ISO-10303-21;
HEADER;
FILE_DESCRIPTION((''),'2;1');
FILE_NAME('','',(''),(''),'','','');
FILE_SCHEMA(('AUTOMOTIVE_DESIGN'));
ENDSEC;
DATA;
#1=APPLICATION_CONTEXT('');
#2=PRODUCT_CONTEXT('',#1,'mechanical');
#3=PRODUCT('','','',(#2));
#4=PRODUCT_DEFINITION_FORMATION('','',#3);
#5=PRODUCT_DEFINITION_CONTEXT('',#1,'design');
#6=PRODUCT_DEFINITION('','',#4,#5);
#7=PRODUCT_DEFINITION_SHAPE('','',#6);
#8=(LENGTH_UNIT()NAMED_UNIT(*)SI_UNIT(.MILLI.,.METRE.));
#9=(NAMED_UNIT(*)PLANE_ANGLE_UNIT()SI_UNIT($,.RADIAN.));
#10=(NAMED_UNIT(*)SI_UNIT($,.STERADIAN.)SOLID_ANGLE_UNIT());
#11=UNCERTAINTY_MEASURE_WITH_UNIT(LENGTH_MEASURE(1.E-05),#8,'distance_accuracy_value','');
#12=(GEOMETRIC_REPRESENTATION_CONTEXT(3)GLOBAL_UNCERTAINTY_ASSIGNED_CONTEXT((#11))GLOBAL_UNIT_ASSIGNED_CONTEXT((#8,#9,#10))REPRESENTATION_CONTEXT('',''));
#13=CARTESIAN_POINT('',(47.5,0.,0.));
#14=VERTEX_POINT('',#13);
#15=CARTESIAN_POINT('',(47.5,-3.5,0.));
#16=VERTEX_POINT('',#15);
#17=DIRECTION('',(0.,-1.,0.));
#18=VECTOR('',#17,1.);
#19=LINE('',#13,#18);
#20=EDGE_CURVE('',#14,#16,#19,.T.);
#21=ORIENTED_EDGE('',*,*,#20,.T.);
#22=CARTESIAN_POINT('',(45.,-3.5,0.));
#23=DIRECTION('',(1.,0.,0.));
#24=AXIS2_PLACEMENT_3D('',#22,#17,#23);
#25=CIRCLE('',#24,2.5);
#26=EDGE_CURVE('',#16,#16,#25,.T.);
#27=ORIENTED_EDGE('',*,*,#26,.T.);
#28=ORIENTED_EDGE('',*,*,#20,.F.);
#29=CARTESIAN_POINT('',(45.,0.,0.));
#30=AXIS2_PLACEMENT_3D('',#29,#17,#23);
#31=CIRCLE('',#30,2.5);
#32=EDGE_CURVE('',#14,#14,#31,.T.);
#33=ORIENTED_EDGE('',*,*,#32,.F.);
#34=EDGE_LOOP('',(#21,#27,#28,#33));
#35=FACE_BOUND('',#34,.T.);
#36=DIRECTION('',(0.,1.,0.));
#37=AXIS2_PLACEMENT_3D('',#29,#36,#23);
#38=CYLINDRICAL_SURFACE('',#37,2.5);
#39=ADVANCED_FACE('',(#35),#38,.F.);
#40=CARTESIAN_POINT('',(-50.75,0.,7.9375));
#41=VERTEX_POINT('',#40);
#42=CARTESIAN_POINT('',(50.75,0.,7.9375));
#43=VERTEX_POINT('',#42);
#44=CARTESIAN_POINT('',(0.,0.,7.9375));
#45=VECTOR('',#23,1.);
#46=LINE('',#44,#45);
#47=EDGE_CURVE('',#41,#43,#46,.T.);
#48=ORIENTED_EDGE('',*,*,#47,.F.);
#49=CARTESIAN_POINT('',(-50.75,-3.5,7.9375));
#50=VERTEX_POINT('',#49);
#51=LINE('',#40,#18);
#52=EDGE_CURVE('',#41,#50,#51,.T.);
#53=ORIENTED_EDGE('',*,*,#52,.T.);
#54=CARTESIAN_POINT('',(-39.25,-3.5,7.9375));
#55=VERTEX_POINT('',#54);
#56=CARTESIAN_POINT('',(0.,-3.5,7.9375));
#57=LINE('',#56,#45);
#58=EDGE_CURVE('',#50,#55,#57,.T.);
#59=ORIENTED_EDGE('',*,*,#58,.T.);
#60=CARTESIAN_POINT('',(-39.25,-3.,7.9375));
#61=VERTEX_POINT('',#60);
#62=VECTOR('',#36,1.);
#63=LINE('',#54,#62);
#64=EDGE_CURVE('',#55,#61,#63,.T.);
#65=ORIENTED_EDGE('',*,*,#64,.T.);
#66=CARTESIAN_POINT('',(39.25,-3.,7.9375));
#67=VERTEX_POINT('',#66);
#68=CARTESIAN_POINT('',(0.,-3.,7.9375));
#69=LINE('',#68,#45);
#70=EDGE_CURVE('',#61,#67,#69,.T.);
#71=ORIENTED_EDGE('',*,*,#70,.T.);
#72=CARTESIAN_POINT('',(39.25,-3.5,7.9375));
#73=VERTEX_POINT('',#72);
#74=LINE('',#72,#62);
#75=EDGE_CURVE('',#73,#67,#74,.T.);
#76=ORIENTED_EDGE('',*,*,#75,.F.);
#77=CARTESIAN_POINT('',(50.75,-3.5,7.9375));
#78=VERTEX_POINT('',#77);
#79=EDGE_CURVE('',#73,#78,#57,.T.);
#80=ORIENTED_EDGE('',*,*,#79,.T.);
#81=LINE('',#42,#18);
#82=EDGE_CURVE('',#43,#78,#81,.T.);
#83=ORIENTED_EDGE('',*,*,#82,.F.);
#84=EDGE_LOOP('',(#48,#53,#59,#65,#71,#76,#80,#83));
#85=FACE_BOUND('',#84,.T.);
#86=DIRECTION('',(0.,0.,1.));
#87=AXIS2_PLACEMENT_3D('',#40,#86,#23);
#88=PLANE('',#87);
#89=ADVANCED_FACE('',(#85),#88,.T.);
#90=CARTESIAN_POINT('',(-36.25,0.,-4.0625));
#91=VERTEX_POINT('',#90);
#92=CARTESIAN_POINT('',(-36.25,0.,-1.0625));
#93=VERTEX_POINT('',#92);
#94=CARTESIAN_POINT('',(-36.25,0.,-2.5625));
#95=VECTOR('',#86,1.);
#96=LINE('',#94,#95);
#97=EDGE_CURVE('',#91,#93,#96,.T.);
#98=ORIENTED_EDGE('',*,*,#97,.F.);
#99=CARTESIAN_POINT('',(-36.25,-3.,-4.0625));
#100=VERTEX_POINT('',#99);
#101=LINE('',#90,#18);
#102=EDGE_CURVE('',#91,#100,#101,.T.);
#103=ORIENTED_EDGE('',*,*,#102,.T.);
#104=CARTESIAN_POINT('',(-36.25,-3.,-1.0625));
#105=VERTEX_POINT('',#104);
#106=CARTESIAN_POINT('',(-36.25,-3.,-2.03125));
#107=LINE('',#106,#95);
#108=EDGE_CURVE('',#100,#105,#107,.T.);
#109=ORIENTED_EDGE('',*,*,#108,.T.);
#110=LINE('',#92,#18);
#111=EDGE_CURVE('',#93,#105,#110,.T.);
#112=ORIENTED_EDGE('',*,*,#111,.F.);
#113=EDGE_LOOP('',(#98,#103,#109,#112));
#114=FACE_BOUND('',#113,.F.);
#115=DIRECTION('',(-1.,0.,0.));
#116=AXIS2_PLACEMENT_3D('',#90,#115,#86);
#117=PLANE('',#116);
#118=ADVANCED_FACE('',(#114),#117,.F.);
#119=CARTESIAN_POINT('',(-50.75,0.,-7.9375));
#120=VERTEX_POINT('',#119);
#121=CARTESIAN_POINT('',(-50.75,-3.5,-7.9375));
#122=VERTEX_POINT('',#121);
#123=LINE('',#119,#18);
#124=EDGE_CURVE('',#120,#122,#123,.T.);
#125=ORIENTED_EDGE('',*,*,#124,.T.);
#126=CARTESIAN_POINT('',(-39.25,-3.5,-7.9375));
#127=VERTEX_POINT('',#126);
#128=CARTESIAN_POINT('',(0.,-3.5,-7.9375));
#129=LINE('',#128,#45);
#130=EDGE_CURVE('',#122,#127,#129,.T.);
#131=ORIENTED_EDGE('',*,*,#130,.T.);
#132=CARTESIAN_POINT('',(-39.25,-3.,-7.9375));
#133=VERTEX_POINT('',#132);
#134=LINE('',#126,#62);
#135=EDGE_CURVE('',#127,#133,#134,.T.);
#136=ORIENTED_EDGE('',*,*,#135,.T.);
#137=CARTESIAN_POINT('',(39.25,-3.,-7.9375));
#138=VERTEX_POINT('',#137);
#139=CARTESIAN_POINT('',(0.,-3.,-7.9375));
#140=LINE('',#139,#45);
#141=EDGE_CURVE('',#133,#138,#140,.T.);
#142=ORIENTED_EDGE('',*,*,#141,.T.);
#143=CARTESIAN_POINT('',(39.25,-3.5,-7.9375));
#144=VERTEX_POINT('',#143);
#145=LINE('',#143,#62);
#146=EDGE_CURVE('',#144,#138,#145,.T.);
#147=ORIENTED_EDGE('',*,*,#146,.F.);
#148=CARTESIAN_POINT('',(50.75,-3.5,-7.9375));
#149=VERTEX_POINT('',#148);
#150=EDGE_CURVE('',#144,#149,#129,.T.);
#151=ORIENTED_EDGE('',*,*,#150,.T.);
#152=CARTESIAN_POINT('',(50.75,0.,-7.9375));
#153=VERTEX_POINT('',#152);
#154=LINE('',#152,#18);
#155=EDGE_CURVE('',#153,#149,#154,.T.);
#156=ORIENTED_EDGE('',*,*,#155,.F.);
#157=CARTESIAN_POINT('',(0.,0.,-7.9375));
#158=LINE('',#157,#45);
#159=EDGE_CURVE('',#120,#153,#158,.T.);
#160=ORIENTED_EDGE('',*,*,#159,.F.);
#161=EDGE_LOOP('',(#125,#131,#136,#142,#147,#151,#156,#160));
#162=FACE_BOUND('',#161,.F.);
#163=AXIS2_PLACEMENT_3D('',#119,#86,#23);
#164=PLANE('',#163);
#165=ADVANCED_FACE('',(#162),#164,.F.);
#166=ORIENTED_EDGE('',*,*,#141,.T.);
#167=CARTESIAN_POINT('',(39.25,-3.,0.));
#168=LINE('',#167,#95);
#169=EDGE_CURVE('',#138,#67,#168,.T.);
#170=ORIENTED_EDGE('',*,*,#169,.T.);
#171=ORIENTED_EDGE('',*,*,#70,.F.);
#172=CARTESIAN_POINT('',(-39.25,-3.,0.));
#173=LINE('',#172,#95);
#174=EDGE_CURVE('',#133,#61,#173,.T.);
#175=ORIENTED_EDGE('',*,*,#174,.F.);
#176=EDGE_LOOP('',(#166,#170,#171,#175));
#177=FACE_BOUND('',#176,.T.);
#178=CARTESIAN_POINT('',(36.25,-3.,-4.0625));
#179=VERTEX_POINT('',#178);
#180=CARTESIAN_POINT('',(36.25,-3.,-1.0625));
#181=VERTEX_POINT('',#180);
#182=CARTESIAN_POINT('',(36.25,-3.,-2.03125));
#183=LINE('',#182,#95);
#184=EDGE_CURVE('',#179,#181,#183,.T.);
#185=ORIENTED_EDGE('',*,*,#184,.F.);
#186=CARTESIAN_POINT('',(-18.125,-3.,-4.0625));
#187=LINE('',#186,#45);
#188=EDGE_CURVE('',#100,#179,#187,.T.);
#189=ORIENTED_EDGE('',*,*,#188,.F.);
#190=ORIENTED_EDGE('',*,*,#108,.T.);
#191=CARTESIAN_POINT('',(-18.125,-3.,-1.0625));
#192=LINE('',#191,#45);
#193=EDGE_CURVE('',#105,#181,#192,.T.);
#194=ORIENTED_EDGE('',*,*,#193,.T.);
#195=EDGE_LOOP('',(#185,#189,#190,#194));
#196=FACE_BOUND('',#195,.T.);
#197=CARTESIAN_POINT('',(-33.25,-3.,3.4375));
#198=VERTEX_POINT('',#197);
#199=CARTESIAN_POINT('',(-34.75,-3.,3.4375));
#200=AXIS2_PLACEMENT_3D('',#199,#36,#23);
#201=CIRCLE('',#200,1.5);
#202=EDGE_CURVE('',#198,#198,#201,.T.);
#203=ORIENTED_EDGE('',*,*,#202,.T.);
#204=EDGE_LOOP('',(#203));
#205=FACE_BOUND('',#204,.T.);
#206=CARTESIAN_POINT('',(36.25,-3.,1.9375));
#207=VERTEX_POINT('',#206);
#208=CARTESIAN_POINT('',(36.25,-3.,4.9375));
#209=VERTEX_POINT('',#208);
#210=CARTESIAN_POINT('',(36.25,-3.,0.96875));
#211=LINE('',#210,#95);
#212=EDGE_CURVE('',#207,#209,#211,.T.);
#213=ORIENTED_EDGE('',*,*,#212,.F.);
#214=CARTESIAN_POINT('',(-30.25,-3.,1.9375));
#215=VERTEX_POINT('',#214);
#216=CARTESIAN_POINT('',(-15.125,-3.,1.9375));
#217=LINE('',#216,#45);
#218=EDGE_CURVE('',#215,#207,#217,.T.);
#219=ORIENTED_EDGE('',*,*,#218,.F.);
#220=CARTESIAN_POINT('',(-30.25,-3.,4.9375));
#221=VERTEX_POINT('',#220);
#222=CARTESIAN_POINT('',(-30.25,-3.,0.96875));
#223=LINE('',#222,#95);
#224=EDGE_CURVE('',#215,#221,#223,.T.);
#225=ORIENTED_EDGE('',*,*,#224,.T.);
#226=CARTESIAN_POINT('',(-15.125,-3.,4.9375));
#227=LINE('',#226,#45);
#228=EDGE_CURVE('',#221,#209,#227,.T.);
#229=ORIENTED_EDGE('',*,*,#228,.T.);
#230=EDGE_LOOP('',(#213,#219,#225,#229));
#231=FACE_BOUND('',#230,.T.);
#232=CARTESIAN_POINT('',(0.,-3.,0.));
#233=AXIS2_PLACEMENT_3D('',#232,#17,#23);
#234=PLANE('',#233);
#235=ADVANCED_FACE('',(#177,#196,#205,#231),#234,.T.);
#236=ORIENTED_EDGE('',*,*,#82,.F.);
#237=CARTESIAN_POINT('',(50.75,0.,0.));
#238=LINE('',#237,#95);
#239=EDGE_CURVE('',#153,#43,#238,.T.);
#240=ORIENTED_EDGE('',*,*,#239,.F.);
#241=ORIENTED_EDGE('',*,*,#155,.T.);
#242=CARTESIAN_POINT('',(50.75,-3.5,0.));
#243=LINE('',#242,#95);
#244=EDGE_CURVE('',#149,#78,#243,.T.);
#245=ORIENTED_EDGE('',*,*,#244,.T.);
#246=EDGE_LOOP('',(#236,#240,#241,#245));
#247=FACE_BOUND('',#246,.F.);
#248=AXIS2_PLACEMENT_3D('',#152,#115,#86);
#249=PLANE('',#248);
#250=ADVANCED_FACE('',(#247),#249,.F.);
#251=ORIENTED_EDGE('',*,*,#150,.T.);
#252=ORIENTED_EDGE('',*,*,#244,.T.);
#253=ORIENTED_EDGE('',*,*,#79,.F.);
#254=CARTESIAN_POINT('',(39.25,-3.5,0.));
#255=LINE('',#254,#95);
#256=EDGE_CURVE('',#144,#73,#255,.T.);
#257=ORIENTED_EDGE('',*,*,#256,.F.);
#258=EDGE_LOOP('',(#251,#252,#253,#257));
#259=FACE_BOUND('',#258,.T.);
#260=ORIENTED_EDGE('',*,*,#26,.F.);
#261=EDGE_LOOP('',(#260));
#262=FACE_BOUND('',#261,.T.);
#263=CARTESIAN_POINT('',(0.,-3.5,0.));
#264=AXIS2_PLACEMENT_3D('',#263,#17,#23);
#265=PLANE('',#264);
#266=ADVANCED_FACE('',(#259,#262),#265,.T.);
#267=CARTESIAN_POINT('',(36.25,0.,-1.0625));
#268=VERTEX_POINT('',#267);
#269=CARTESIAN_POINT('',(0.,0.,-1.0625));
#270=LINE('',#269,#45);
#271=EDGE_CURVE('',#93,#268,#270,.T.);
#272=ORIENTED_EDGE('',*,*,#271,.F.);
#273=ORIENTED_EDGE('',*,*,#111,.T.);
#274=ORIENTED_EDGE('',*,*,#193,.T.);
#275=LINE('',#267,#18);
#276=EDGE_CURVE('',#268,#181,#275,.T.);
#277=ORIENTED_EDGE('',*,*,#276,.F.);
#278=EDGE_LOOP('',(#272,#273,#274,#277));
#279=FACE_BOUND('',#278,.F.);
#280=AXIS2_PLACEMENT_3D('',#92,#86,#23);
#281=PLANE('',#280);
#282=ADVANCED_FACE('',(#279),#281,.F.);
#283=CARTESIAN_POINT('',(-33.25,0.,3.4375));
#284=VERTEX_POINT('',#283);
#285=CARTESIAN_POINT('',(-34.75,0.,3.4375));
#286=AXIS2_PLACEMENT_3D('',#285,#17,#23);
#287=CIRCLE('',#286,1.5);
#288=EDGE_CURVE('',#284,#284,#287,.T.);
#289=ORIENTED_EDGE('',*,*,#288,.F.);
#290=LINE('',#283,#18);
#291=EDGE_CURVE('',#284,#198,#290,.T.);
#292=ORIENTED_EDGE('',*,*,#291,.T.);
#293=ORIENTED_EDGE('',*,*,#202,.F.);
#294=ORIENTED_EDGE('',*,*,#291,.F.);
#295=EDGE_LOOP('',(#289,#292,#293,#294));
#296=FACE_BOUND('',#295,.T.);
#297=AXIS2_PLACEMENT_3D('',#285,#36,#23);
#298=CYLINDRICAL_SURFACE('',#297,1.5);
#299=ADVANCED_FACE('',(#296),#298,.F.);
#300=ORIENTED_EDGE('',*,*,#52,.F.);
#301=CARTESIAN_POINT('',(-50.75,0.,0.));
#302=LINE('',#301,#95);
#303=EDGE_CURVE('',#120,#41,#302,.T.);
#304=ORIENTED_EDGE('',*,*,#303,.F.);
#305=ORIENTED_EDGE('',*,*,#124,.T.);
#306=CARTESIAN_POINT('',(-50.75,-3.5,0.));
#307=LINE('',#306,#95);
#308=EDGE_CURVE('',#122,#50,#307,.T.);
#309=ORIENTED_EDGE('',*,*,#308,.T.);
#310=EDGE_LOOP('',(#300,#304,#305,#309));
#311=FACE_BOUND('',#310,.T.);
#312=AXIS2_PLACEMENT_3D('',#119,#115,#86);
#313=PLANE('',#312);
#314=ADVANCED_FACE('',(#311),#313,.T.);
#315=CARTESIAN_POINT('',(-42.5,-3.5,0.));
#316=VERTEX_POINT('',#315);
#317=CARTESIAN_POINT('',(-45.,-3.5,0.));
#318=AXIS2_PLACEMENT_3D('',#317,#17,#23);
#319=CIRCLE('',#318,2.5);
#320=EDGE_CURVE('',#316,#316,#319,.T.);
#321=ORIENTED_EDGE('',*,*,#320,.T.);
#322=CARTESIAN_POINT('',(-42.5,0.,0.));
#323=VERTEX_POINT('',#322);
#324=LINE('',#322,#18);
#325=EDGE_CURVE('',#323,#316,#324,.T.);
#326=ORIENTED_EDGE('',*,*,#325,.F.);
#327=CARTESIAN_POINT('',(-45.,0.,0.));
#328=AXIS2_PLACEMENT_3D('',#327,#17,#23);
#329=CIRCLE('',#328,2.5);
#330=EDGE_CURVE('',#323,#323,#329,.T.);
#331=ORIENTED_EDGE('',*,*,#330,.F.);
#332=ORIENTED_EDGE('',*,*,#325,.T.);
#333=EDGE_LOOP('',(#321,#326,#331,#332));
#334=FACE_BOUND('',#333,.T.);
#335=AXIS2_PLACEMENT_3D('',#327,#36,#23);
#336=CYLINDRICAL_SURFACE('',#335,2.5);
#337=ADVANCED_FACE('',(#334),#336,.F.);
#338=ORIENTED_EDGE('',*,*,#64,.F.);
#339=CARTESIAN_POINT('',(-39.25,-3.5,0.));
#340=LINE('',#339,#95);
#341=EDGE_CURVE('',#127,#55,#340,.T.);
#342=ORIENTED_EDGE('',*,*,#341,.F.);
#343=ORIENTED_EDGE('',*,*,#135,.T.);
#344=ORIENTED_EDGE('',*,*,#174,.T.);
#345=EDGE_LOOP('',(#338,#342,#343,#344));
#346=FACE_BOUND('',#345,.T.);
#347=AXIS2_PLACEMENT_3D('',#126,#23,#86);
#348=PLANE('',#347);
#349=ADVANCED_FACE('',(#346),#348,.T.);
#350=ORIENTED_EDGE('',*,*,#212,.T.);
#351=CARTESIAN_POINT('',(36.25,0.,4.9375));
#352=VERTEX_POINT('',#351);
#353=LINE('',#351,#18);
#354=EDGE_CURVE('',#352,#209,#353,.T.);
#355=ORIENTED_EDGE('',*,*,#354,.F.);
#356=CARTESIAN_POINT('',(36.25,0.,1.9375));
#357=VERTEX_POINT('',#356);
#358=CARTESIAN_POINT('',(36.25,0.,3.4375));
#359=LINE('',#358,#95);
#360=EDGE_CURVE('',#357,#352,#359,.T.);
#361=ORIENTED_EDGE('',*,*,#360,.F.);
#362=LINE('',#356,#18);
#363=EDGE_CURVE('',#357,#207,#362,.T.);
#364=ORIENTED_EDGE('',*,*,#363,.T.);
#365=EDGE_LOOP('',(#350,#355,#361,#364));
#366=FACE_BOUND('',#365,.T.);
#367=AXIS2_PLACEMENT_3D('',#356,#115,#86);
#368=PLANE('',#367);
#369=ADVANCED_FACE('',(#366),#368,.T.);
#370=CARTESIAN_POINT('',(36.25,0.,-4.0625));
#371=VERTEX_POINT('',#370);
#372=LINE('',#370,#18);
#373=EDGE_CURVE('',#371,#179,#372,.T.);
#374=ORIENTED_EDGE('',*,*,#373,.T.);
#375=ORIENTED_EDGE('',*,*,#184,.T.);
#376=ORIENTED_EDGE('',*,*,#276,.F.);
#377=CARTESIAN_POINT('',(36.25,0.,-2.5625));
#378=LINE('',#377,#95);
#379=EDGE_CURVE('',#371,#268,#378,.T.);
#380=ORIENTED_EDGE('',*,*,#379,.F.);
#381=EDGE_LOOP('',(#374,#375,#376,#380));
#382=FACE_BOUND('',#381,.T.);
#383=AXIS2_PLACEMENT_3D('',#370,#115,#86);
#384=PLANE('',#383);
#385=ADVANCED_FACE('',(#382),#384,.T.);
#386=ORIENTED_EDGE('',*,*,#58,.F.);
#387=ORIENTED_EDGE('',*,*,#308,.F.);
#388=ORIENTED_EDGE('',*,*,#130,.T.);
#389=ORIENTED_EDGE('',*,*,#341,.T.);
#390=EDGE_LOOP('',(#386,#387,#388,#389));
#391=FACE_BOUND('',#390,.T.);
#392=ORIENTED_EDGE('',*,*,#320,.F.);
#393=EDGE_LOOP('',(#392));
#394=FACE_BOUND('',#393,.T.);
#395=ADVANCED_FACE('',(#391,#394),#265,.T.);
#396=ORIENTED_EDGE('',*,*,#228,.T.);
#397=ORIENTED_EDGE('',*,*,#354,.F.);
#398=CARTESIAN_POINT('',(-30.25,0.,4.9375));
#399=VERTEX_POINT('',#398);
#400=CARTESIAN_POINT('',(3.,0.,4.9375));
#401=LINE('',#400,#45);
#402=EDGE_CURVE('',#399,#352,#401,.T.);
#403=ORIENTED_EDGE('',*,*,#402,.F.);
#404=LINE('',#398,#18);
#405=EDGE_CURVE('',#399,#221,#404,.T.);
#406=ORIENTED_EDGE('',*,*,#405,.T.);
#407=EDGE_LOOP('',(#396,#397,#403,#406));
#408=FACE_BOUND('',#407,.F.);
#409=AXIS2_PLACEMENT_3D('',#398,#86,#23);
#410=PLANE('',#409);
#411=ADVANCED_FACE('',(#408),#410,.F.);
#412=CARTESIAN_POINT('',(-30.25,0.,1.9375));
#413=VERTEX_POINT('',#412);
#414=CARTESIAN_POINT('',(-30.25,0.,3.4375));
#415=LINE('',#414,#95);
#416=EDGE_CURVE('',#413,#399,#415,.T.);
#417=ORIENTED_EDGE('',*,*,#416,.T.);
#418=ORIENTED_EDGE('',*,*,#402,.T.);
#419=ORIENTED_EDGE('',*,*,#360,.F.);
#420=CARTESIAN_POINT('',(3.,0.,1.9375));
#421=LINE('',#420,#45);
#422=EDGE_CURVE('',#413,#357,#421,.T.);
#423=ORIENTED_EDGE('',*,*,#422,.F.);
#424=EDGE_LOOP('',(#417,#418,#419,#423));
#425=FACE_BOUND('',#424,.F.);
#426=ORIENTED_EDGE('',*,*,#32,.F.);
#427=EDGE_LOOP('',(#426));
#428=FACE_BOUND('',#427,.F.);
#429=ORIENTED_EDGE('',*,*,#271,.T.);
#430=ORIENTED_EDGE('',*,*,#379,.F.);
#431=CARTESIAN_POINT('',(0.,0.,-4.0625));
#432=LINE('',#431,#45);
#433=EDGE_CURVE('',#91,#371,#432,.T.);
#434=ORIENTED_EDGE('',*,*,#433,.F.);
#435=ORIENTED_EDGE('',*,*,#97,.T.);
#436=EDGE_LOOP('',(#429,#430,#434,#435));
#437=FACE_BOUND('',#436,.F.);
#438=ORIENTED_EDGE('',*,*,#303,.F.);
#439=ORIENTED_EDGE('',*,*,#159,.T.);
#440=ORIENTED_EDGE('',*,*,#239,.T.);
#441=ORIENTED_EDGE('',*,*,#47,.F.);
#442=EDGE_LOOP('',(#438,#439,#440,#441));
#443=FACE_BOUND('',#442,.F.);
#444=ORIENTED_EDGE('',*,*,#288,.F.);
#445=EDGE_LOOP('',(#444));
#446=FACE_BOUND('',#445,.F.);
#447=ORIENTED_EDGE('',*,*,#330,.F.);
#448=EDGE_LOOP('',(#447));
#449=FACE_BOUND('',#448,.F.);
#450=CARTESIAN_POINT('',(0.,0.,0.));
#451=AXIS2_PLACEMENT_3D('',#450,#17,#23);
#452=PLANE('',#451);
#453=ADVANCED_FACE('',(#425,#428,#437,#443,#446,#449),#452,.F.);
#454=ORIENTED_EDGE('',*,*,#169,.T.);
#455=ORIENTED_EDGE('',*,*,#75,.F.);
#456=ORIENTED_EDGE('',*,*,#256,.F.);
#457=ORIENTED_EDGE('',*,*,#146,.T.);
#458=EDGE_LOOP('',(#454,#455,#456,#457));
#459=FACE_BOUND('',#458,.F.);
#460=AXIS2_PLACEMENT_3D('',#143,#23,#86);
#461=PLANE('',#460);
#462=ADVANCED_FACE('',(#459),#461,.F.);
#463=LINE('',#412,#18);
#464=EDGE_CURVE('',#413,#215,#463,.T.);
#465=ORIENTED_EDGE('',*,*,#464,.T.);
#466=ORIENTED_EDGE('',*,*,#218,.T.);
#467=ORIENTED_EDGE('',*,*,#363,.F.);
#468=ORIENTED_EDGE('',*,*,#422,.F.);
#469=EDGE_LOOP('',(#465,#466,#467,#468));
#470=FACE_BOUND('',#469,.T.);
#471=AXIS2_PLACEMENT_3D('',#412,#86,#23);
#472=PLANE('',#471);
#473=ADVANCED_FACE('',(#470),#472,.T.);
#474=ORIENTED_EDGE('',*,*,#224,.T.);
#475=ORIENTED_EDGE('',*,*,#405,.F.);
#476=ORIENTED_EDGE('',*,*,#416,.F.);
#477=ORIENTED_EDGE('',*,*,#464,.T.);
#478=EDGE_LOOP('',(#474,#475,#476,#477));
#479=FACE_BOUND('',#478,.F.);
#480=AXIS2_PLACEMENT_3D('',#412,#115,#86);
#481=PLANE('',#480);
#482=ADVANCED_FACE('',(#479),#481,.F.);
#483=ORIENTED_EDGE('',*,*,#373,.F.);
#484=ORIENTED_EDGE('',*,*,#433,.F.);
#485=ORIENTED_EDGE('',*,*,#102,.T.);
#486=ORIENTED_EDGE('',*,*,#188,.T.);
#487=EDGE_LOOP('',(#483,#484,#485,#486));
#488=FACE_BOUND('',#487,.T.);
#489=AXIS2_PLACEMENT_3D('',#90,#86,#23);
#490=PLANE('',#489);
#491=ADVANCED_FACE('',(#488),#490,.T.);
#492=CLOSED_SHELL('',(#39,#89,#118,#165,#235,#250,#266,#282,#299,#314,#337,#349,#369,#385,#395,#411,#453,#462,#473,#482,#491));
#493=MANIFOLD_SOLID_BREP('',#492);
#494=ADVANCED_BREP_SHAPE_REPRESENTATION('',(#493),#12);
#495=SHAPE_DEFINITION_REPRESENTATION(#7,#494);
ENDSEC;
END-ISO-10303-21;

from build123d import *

# Parameters (mm, degrees)
F0_W     = 101.5
F0_H     = 15.875
F0_W_2   = 72.5
F0_H_2   = 3
F0_R     = 2.5
F0_R_2   = 1.5
F0_W_3   = 66.5
F1_DEPTH = 3.5
F2_W     = 78.5
F2_H     = 15.875
F3_DEPTH = 0.5


with BuildPart() as f1:
    # F0 (on Front) → F1 (new body)
    with BuildSketch(Plane.XZ):
        Rectangle(F0_W, F0_H)
        with Locations((0, -2.5625)):
            Rectangle(F0_W_2, F0_H_2, mode=Mode.SUBTRACT)
        with Locations((-45, 0)):
            Circle(F0_R, mode=Mode.SUBTRACT)
        with Locations((-34.75, 3.4375)):
            Circle(F0_R_2, mode=Mode.SUBTRACT)
        with Locations((3, 3.4375)):
            Rectangle(F0_W_3, F0_H_2, mode=Mode.SUBTRACT)
        with Locations((45, 0)):
            Circle(F0_R, mode=Mode.SUBTRACT)
    extrude(amount=F1_DEPTH)

    # F2 (on face) → F3 (cut)
    with BuildSketch(Plane.XZ.offset(3.5)):
        Rectangle(F2_W, F2_H)
    extrude(amount=-F3_DEPTH, mode=Mode.SUBTRACT)


solid = f1.part
